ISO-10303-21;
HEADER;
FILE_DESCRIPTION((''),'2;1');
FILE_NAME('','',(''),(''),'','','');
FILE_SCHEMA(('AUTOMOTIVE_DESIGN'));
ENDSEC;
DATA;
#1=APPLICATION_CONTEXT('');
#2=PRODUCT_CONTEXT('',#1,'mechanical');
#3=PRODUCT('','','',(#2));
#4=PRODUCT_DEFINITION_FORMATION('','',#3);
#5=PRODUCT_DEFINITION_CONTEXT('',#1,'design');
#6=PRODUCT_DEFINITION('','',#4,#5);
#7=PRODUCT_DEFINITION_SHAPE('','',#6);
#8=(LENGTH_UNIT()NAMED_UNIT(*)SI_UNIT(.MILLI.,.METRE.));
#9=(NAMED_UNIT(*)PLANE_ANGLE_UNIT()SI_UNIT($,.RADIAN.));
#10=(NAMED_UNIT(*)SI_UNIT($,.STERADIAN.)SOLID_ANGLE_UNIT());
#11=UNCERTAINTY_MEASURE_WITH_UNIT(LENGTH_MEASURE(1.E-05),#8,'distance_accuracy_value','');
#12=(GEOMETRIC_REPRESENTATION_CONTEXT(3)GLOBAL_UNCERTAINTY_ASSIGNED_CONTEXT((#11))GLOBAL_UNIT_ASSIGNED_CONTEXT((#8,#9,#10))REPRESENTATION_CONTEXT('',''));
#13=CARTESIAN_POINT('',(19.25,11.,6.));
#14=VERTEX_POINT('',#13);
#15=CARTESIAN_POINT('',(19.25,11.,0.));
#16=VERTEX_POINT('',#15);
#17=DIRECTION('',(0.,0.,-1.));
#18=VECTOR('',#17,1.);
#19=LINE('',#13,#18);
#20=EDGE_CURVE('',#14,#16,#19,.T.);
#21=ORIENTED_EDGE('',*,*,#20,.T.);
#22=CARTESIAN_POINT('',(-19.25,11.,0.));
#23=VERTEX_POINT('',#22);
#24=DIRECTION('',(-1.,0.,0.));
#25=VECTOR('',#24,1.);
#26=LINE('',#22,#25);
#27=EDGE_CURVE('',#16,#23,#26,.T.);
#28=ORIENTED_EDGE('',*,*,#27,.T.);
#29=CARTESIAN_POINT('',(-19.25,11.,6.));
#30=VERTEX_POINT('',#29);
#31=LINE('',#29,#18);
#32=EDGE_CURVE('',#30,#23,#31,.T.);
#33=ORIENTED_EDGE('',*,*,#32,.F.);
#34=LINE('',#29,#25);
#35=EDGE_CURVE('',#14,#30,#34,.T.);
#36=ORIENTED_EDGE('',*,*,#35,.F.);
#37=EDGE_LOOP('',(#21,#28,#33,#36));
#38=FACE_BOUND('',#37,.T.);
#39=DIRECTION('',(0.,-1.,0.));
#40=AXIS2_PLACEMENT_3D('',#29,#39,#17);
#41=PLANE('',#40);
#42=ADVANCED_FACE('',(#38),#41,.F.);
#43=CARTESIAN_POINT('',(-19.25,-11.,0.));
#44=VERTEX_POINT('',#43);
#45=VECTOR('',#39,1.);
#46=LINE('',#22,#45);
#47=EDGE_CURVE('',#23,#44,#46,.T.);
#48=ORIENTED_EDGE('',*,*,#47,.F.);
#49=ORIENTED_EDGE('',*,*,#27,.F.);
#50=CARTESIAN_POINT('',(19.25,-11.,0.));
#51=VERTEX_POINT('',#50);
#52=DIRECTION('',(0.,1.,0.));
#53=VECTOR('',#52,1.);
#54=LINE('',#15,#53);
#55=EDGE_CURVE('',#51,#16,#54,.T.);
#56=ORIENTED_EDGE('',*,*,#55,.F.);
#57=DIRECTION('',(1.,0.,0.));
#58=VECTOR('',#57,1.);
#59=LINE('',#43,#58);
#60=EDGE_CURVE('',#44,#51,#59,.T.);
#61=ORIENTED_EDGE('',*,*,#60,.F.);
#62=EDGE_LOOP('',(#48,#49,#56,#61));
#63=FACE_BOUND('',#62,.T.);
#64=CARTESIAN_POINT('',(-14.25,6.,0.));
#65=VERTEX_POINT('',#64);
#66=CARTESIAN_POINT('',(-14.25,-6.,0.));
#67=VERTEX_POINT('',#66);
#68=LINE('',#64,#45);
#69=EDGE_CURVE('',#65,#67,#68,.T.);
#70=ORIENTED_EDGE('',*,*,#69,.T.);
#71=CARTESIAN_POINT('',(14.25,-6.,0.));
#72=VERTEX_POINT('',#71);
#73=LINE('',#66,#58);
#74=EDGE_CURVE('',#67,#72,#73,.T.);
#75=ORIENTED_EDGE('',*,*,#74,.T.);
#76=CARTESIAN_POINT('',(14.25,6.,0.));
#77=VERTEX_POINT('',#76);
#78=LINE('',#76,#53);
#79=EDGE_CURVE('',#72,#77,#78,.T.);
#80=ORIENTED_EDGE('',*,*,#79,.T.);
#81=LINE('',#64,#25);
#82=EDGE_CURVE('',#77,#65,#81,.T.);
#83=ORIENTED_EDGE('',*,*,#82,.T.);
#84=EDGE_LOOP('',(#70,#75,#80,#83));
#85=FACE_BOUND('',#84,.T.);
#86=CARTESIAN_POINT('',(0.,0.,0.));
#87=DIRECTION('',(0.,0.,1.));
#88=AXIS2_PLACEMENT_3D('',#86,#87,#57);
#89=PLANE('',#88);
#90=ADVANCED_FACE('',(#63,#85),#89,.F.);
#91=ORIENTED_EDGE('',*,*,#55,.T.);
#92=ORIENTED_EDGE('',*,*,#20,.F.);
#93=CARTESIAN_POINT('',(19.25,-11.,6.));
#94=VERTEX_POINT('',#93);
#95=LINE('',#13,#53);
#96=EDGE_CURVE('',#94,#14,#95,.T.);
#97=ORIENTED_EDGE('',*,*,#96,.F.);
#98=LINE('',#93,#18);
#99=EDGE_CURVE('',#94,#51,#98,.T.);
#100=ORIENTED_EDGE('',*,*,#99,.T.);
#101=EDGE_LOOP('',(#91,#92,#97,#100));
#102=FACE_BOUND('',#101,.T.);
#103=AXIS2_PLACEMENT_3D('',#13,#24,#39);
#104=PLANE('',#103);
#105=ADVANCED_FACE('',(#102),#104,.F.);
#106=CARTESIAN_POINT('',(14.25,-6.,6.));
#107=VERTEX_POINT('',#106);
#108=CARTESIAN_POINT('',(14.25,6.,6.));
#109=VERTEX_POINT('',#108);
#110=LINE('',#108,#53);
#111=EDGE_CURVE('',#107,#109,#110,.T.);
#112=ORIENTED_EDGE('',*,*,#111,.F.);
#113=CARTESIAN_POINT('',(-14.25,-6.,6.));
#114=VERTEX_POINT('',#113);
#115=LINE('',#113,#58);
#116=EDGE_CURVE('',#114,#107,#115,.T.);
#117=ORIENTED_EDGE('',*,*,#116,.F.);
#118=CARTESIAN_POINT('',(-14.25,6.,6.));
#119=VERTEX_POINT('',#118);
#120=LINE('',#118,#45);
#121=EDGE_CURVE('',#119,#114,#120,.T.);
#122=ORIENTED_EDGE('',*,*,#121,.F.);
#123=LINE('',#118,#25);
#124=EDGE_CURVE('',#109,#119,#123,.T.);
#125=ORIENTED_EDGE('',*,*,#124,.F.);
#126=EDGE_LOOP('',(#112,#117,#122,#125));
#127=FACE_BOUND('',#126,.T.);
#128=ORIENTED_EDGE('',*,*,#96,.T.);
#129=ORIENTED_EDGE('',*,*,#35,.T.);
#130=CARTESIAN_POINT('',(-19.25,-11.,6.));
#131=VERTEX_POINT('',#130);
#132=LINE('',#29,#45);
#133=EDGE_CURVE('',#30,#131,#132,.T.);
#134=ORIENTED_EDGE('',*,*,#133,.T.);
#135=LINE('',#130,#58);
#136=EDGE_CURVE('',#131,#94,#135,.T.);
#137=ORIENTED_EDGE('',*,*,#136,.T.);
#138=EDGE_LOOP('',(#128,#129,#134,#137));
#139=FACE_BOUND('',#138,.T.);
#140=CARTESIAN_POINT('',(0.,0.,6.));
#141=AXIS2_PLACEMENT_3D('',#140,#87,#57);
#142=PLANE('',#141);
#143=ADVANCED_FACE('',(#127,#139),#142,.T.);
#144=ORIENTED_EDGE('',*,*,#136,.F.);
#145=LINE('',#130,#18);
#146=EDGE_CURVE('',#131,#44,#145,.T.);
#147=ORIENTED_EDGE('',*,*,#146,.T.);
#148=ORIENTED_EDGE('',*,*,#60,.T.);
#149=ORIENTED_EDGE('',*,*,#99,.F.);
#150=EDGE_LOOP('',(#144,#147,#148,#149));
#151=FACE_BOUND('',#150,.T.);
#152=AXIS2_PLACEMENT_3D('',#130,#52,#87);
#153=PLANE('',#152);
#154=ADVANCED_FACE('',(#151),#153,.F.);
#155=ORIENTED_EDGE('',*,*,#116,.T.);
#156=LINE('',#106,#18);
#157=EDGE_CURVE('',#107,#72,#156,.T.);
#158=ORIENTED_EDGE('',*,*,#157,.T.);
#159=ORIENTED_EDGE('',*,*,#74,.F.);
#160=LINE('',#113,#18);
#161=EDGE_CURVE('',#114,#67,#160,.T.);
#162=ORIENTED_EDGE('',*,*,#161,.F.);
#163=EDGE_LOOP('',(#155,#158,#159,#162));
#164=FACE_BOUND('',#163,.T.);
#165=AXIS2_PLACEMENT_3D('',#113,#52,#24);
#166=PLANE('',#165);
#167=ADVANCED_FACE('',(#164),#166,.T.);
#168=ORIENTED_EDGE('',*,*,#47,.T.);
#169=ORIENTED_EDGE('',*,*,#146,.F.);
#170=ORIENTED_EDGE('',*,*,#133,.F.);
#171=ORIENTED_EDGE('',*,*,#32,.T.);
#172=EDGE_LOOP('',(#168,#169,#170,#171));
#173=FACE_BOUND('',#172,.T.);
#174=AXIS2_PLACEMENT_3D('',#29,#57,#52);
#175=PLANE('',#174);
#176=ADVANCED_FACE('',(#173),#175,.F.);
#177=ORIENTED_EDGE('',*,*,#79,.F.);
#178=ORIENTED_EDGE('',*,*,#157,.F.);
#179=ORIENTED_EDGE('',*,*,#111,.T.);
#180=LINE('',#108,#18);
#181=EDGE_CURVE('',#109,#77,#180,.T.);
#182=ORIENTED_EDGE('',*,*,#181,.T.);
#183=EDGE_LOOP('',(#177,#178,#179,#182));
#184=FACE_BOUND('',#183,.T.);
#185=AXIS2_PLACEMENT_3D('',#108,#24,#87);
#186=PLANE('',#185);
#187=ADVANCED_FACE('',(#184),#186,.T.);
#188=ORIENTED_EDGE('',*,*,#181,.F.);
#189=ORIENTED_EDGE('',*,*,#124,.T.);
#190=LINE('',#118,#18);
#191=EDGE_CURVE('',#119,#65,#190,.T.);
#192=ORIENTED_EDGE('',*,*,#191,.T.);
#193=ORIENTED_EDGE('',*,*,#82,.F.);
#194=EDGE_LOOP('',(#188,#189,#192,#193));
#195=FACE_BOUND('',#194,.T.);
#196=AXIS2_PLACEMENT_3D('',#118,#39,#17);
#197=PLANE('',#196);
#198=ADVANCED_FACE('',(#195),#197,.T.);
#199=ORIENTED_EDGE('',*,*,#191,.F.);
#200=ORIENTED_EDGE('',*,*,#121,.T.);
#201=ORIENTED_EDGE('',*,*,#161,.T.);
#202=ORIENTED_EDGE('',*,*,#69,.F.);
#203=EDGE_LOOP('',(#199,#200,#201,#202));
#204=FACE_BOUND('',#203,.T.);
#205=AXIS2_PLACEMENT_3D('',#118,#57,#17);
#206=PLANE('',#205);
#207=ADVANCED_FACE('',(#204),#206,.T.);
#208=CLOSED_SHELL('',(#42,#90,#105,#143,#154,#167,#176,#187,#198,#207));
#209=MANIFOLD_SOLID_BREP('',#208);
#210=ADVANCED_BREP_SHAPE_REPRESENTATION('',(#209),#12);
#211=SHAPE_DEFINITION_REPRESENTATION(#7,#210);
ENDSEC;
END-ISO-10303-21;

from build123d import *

# Parameters (mm, degrees)
ESQUISSE1_W        = 38.5
ESQUISSE1_H        = 22
ESQUISSE1_W_2      = 28.5
ESQUISSE1_H_2      = 12
BOSS_EXTRU_1_DEPTH = 6


with BuildPart() as part:
    # Esquisse1 → Boss.-Extru.1 (new body)
    with BuildSketch(Plane.XY):
        Rectangle(ESQUISSE1_W, ESQUISSE1_H)
        Rectangle(ESQUISSE1_W_2, ESQUISSE1_H_2, mode=Mode.SUBTRACT)
    extrude(amount=BOSS_EXTRU_1_DEPTH)


solid = part.part
